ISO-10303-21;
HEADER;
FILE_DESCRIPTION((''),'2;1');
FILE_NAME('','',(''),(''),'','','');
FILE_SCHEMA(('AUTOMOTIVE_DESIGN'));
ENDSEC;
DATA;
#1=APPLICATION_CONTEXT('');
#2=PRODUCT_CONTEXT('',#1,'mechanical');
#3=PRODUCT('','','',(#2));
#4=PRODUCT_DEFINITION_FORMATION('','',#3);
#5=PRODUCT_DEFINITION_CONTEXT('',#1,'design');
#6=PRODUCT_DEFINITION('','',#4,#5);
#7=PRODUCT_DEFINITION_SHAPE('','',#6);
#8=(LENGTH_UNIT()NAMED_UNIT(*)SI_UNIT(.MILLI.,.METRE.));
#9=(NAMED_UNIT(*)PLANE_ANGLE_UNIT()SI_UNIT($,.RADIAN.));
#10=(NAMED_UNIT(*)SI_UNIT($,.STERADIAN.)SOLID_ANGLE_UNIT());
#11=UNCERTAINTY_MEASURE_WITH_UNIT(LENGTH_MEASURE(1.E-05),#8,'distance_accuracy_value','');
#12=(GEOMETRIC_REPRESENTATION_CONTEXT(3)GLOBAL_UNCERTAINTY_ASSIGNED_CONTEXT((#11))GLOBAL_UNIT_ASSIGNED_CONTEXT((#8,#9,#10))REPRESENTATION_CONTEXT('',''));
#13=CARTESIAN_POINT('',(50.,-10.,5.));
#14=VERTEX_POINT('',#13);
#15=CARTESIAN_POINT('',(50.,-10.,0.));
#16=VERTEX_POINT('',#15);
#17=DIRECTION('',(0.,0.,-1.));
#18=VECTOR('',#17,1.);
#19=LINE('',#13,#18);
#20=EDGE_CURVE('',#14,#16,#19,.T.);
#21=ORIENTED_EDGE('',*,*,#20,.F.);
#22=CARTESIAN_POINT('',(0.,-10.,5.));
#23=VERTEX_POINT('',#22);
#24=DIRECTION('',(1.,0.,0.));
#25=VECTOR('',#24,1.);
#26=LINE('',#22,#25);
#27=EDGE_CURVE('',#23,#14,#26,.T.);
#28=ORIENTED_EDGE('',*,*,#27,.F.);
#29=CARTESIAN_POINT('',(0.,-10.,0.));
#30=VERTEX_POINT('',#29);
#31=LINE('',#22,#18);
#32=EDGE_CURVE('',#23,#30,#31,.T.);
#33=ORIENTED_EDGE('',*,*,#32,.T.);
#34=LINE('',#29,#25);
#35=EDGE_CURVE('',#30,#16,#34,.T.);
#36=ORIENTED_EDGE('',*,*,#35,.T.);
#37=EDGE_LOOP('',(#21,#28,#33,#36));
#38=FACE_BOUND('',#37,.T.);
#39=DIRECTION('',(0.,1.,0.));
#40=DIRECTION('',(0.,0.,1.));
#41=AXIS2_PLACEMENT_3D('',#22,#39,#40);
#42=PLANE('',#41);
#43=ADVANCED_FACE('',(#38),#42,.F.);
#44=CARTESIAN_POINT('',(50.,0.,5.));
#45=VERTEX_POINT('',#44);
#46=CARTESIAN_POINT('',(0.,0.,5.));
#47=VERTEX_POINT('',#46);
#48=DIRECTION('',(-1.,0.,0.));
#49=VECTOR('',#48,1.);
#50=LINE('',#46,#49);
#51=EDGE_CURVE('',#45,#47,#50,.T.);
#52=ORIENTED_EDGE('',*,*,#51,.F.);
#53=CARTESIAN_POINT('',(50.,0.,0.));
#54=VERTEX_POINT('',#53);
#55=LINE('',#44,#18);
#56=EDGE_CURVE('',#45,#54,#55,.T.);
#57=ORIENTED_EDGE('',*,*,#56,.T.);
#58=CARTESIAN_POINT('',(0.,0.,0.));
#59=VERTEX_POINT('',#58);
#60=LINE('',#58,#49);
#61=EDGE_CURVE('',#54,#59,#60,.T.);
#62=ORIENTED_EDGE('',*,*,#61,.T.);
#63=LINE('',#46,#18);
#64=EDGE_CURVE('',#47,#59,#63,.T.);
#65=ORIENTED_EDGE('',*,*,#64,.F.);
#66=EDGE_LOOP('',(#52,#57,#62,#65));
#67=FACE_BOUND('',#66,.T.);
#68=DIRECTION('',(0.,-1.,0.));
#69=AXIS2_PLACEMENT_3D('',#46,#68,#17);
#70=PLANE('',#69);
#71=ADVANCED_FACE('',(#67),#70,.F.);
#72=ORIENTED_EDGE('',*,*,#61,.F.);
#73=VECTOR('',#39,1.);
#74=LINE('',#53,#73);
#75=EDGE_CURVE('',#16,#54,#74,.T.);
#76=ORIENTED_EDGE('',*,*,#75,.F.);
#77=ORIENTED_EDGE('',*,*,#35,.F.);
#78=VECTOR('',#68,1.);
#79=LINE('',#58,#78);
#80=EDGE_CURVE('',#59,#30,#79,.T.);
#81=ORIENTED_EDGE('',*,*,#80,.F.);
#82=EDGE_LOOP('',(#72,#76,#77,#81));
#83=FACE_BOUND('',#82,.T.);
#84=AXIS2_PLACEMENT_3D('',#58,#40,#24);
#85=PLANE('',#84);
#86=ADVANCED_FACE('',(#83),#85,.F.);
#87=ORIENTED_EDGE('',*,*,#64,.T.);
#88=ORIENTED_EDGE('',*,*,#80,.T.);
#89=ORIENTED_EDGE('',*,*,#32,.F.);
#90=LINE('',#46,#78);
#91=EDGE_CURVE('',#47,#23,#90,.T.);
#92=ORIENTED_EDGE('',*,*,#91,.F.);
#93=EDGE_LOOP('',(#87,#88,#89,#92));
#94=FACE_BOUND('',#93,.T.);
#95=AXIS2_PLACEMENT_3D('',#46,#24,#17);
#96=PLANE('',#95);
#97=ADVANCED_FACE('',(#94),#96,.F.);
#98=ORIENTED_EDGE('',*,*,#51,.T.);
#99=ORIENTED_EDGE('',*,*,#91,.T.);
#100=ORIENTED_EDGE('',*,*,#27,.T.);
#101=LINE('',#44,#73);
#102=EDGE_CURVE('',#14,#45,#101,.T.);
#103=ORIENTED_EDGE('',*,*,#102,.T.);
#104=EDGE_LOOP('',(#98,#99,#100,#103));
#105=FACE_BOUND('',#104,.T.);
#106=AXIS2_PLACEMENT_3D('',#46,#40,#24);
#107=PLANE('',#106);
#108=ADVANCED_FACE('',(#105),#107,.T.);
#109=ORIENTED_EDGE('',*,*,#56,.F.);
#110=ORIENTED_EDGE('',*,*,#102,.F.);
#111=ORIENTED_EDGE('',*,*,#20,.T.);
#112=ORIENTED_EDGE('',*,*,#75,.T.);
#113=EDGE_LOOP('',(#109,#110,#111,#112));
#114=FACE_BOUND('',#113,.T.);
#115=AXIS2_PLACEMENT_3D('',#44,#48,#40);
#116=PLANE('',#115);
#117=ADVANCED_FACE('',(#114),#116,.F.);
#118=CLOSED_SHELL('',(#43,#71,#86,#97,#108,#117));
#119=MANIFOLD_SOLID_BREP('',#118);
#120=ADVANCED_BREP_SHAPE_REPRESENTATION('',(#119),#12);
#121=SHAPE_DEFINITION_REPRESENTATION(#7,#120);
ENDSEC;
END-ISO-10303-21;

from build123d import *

# Parameters (mm, degrees)
SKETCH2_W           = 50
SKETCH2_H           = 10
BOSS_EXTRUDE1_DEPTH = 5


with BuildPart() as part:
    # Sketch2 → Boss-Extrude1 (new body)
    with BuildSketch(Plane.XY):
        with Locations((25, -5)):
            Rectangle(SKETCH2_W, SKETCH2_H)
    extrude(amount=BOSS_EXTRUDE1_DEPTH)


solid = part.part
